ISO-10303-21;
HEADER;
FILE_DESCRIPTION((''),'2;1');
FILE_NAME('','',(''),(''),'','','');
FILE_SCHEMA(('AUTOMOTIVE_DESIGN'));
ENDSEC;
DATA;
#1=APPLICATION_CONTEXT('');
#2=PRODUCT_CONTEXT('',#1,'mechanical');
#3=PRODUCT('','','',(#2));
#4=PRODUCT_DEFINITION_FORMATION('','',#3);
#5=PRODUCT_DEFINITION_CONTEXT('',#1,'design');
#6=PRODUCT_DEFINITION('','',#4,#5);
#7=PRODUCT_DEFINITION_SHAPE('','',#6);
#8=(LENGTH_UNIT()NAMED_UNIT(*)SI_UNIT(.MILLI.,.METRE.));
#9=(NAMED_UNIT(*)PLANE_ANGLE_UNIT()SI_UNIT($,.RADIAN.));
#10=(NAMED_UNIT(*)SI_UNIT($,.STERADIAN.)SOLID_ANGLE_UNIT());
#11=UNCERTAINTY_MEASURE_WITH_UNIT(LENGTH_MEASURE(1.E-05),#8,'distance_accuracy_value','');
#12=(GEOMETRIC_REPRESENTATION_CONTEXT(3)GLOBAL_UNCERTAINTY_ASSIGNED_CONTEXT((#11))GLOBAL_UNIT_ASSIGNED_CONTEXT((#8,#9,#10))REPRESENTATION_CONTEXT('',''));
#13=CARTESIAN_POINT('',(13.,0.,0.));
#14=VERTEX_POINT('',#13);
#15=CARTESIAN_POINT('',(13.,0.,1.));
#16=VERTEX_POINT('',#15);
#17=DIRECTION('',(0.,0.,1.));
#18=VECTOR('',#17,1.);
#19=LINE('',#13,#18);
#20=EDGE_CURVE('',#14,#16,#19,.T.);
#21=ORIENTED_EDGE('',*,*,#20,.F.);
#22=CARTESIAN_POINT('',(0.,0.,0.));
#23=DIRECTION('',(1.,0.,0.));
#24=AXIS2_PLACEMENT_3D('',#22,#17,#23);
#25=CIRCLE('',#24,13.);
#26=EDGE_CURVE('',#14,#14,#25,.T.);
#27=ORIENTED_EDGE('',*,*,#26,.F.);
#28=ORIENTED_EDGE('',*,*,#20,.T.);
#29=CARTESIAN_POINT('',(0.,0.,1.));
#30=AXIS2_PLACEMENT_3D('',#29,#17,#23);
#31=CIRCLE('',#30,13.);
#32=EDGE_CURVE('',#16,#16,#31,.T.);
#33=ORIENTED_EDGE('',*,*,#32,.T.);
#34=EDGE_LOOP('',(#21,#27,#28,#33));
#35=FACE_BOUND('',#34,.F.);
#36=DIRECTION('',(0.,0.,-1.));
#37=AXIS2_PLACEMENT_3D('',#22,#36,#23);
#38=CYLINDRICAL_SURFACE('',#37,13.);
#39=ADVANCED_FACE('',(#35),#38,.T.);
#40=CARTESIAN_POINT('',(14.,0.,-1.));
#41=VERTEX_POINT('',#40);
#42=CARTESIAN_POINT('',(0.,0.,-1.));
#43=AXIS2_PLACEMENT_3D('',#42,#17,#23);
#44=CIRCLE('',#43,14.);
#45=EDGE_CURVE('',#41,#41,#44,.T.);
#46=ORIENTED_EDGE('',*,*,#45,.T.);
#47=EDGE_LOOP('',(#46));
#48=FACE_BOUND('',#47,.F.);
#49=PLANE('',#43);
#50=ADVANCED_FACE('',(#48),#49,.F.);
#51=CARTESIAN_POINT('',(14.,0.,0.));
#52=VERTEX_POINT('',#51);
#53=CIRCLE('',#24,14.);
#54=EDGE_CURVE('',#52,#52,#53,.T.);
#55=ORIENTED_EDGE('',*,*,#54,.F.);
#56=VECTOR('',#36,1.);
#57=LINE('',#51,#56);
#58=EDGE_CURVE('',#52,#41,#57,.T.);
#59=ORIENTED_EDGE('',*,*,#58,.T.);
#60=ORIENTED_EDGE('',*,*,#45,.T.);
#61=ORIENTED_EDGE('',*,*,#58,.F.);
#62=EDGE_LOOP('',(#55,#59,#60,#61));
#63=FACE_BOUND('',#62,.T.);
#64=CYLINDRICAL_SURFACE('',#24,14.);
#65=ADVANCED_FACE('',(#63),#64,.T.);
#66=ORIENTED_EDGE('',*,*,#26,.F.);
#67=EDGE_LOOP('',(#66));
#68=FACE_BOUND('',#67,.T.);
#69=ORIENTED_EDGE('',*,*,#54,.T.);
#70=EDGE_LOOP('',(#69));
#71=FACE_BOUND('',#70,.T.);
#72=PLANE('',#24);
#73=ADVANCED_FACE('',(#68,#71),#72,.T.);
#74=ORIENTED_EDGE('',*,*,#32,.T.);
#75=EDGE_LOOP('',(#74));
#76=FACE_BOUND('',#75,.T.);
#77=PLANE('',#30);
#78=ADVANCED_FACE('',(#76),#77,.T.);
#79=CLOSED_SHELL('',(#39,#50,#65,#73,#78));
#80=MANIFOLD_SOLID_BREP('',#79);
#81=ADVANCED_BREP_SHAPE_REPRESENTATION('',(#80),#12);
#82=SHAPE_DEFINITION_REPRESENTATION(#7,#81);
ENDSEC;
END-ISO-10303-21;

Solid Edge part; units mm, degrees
sketch "Sketch1" plane through (0, 0, 0) normal (0, 0, 1) x (1, 0, 0)
  circle A0 centre (0, 0) radius 14
extrude "Protrusion1" add sketch "Sketch1" against normal blind 1
sketch "Sketch2" plane through (0, 0, 0) normal (0, 0, 1) x (1, 0, 0)
  circle A0 centre (0, 0) radius 13
extrude "smallbase" add sketch "Sketch2" along normal blind 1
